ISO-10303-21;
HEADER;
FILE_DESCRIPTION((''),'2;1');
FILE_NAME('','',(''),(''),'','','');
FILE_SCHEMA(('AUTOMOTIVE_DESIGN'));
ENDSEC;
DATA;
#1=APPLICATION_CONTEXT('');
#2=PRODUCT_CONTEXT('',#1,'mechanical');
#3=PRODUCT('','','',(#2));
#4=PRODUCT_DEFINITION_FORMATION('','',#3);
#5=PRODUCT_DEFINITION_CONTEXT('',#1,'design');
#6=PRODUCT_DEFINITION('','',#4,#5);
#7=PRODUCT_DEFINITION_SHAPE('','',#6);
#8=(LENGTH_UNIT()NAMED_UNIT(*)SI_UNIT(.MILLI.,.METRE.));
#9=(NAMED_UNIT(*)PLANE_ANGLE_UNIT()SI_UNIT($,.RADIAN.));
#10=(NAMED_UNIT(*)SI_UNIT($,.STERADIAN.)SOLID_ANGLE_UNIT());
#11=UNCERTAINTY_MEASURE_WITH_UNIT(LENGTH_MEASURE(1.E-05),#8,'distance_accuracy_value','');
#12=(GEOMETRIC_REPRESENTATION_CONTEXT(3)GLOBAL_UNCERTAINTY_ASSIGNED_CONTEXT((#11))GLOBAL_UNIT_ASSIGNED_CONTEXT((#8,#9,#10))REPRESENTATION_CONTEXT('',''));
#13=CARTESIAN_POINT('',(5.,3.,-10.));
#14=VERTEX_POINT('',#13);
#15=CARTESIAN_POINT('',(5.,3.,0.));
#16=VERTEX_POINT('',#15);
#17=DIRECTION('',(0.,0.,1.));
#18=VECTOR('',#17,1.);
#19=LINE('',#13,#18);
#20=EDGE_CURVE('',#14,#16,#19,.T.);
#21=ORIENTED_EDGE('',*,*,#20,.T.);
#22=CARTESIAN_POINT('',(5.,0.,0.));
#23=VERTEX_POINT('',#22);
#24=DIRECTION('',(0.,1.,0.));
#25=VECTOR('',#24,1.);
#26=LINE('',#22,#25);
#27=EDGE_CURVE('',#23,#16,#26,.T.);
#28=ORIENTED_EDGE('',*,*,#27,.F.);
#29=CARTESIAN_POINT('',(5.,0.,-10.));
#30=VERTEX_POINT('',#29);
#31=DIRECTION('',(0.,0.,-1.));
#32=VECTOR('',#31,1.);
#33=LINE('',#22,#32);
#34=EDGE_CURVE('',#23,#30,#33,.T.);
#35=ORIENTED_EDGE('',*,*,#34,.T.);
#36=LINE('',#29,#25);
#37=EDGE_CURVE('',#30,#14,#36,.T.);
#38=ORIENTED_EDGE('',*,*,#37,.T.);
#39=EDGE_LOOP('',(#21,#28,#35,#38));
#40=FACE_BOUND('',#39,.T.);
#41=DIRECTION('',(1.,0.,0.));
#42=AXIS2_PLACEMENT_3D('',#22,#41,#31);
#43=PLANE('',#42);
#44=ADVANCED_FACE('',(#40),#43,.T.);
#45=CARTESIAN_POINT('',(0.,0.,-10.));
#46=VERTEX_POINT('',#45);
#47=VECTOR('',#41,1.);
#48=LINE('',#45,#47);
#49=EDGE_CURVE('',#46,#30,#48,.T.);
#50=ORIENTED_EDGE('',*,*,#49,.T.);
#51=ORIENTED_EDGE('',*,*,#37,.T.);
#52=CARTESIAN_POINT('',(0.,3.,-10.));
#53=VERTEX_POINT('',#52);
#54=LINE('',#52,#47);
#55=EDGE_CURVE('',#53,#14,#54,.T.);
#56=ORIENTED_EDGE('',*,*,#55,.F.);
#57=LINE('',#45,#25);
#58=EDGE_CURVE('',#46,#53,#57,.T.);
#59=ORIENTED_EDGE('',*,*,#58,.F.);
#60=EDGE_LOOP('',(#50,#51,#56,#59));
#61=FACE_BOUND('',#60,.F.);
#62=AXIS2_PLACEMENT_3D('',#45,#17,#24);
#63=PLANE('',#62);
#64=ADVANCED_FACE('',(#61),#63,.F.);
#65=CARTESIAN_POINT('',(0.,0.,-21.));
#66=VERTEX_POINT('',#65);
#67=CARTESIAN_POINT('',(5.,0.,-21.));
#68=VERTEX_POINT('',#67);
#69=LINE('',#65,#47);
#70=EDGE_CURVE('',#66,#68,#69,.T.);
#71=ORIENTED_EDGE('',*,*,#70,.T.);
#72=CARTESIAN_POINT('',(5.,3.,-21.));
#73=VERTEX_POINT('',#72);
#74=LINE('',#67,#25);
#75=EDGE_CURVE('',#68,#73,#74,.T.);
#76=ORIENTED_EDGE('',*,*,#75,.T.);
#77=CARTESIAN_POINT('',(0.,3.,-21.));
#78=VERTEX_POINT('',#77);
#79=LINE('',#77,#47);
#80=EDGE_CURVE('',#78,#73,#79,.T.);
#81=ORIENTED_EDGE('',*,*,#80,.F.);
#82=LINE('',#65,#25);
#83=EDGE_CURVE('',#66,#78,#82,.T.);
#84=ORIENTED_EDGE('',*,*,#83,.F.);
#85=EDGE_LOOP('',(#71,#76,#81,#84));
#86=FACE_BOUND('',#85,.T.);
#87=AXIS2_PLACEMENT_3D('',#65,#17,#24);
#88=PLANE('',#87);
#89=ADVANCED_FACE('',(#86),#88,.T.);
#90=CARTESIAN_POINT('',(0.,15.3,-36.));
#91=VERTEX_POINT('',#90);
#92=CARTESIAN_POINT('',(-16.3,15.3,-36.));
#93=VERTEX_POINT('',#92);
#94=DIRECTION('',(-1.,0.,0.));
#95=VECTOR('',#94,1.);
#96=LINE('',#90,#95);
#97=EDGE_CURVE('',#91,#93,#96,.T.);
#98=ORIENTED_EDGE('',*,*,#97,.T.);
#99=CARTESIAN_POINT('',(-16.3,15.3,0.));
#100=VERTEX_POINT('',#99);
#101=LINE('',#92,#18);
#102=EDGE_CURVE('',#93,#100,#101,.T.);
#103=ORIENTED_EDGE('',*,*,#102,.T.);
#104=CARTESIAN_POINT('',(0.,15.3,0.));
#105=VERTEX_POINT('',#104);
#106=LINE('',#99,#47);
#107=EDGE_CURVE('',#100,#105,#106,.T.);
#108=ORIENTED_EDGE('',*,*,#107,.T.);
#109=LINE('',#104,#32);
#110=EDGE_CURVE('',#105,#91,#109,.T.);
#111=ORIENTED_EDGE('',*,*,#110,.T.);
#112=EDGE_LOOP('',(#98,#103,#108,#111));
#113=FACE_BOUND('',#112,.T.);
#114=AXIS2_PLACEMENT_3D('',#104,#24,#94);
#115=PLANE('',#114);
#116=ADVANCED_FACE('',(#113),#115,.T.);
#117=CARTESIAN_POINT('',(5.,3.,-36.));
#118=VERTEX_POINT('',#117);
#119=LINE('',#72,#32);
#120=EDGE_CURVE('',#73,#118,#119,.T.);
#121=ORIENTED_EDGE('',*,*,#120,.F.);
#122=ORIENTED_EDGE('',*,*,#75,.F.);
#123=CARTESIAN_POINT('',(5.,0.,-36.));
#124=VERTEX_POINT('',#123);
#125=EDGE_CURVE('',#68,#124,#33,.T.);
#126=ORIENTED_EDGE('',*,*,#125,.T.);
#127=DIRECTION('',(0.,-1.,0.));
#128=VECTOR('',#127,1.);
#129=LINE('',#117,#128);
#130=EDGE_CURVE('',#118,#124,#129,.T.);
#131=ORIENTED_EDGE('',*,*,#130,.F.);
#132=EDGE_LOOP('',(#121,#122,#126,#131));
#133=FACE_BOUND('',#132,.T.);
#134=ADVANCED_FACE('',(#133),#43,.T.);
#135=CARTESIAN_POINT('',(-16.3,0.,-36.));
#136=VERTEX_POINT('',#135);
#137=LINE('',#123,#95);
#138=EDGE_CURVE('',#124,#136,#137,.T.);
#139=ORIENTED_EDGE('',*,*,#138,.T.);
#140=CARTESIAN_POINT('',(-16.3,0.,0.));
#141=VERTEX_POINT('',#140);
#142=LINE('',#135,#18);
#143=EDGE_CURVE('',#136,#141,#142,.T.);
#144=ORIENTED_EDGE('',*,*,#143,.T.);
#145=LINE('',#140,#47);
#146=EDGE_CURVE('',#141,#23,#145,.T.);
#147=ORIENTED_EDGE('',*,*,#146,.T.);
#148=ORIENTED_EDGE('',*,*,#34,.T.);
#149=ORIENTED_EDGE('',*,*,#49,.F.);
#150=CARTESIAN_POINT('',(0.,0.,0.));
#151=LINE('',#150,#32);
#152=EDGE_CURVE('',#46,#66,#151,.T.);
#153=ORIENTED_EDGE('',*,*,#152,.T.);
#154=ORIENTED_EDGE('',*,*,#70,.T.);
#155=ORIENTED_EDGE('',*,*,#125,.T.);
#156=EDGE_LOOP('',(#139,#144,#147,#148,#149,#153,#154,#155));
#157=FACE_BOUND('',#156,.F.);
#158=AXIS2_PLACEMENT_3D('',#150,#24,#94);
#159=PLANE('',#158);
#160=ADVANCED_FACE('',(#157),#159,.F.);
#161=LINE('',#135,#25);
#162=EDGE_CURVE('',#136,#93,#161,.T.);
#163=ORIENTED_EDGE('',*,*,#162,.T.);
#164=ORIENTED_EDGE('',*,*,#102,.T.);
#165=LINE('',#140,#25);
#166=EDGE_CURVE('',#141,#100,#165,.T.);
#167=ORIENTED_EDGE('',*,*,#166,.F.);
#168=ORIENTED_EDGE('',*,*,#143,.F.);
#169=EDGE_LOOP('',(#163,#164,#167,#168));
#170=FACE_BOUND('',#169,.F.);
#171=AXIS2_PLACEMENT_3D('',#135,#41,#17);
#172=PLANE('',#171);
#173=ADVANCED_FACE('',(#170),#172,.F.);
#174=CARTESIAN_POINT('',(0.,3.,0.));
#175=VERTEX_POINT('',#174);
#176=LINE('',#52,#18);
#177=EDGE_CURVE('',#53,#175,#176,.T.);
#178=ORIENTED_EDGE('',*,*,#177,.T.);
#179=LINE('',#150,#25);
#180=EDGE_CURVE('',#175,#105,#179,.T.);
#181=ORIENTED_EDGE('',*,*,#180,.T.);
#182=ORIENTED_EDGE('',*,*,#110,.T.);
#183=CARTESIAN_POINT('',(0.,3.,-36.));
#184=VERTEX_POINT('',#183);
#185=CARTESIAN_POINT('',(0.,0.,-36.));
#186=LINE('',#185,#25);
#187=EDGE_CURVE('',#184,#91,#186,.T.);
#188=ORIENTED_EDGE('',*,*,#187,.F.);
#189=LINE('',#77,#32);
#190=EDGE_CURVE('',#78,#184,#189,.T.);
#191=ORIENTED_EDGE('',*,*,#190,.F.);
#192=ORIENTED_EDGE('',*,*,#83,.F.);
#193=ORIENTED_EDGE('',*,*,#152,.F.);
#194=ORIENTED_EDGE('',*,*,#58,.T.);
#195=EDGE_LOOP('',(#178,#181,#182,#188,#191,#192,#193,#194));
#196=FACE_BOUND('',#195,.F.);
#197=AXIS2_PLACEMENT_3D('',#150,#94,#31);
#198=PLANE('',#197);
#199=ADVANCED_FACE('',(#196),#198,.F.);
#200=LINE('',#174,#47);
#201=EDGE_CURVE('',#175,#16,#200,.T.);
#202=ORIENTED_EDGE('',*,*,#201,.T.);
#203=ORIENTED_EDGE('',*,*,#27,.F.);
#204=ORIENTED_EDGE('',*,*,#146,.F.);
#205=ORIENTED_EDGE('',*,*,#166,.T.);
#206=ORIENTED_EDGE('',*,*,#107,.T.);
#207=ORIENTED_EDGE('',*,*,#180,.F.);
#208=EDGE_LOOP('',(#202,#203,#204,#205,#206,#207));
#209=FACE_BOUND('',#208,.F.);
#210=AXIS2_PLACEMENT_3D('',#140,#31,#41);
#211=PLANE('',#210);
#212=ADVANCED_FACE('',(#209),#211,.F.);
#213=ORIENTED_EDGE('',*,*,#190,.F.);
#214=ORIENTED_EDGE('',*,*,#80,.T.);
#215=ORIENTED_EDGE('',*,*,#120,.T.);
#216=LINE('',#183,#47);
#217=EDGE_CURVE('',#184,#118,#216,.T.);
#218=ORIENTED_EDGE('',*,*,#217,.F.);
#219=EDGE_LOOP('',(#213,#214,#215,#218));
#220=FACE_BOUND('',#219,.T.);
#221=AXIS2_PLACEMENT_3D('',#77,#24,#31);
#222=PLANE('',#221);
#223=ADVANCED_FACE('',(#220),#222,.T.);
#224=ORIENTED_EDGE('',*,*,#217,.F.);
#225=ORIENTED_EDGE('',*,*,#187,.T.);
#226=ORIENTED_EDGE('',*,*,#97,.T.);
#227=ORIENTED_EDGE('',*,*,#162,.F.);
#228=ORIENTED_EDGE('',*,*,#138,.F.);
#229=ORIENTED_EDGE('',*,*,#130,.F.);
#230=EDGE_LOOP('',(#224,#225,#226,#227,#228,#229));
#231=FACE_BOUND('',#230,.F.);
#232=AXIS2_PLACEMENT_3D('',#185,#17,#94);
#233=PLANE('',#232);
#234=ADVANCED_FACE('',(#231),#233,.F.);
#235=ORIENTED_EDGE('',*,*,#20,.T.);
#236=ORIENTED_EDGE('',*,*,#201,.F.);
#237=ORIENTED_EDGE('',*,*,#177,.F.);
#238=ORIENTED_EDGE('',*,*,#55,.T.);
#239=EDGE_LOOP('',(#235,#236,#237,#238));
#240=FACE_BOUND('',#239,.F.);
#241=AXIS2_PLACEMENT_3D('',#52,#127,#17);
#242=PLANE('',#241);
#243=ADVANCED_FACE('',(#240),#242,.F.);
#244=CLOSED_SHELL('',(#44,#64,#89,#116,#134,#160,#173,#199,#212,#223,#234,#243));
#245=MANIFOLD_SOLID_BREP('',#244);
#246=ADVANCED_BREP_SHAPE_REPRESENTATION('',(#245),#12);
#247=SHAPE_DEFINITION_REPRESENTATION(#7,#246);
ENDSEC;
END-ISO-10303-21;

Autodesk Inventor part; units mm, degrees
ref_plane "YZ Plane" through (0, 0, 0) normal (1, 0, 0) x (0, 1, 0)
ref_plane "XZ Plane" through (0, 0, 0) normal (0, 1, 0) x (-1, 0, 0)
ref_plane "XY Plane" through (0, 0, 0) normal (0, 0, 1) x (1, 0, 0)
sketch "Sketch1" plane through (0, 0, 0) normal (0, 1, 0) x (-1, 0, 0)
  line L0 (16.3, 0) -> (0, 0)
  line L1 (0, 0) -> (0, -36)
  line L2 (0, -36) -> (16.3, -36)
  line L3 (16.3, -36) -> (16.3, 0)
  dimension "d0" = 36
  dimension "d1" = 16.3
extrude "Extrusion1" add sketch "Sketch1" along normal blind 15.3
sketch "Sketch2" plane through (0, 0, 0) normal (1, 0, 0) x (0, 0, -1)
  line L0 (0, 0) -> (0, 15.3) projected
  line L1 (0, 0) -> (10, 0)
  line L2 (10, 0) -> (10, 3)
  line L3 (10, 3) -> (0, 3)
  line L4 (0, 3) -> (0, 0)
  line L5 (0, 0) -> (36, 0) projected
  line L6 (36, 0) -> (21, 0)
  line L7 (21, 0) -> (21, 3)
  line L8 (21, 3) -> (36, 3)
  line L9 (36, 3) -> (36, 0)
  point P0 (0, 3)
  dimension "d4" = 10
  dimension "d5" = 3
  dimension "d6" = 15
extrude "Extrusion2" add sketch "Sketch2" along normal blind 5
properties part number "AC-DC transformer"
